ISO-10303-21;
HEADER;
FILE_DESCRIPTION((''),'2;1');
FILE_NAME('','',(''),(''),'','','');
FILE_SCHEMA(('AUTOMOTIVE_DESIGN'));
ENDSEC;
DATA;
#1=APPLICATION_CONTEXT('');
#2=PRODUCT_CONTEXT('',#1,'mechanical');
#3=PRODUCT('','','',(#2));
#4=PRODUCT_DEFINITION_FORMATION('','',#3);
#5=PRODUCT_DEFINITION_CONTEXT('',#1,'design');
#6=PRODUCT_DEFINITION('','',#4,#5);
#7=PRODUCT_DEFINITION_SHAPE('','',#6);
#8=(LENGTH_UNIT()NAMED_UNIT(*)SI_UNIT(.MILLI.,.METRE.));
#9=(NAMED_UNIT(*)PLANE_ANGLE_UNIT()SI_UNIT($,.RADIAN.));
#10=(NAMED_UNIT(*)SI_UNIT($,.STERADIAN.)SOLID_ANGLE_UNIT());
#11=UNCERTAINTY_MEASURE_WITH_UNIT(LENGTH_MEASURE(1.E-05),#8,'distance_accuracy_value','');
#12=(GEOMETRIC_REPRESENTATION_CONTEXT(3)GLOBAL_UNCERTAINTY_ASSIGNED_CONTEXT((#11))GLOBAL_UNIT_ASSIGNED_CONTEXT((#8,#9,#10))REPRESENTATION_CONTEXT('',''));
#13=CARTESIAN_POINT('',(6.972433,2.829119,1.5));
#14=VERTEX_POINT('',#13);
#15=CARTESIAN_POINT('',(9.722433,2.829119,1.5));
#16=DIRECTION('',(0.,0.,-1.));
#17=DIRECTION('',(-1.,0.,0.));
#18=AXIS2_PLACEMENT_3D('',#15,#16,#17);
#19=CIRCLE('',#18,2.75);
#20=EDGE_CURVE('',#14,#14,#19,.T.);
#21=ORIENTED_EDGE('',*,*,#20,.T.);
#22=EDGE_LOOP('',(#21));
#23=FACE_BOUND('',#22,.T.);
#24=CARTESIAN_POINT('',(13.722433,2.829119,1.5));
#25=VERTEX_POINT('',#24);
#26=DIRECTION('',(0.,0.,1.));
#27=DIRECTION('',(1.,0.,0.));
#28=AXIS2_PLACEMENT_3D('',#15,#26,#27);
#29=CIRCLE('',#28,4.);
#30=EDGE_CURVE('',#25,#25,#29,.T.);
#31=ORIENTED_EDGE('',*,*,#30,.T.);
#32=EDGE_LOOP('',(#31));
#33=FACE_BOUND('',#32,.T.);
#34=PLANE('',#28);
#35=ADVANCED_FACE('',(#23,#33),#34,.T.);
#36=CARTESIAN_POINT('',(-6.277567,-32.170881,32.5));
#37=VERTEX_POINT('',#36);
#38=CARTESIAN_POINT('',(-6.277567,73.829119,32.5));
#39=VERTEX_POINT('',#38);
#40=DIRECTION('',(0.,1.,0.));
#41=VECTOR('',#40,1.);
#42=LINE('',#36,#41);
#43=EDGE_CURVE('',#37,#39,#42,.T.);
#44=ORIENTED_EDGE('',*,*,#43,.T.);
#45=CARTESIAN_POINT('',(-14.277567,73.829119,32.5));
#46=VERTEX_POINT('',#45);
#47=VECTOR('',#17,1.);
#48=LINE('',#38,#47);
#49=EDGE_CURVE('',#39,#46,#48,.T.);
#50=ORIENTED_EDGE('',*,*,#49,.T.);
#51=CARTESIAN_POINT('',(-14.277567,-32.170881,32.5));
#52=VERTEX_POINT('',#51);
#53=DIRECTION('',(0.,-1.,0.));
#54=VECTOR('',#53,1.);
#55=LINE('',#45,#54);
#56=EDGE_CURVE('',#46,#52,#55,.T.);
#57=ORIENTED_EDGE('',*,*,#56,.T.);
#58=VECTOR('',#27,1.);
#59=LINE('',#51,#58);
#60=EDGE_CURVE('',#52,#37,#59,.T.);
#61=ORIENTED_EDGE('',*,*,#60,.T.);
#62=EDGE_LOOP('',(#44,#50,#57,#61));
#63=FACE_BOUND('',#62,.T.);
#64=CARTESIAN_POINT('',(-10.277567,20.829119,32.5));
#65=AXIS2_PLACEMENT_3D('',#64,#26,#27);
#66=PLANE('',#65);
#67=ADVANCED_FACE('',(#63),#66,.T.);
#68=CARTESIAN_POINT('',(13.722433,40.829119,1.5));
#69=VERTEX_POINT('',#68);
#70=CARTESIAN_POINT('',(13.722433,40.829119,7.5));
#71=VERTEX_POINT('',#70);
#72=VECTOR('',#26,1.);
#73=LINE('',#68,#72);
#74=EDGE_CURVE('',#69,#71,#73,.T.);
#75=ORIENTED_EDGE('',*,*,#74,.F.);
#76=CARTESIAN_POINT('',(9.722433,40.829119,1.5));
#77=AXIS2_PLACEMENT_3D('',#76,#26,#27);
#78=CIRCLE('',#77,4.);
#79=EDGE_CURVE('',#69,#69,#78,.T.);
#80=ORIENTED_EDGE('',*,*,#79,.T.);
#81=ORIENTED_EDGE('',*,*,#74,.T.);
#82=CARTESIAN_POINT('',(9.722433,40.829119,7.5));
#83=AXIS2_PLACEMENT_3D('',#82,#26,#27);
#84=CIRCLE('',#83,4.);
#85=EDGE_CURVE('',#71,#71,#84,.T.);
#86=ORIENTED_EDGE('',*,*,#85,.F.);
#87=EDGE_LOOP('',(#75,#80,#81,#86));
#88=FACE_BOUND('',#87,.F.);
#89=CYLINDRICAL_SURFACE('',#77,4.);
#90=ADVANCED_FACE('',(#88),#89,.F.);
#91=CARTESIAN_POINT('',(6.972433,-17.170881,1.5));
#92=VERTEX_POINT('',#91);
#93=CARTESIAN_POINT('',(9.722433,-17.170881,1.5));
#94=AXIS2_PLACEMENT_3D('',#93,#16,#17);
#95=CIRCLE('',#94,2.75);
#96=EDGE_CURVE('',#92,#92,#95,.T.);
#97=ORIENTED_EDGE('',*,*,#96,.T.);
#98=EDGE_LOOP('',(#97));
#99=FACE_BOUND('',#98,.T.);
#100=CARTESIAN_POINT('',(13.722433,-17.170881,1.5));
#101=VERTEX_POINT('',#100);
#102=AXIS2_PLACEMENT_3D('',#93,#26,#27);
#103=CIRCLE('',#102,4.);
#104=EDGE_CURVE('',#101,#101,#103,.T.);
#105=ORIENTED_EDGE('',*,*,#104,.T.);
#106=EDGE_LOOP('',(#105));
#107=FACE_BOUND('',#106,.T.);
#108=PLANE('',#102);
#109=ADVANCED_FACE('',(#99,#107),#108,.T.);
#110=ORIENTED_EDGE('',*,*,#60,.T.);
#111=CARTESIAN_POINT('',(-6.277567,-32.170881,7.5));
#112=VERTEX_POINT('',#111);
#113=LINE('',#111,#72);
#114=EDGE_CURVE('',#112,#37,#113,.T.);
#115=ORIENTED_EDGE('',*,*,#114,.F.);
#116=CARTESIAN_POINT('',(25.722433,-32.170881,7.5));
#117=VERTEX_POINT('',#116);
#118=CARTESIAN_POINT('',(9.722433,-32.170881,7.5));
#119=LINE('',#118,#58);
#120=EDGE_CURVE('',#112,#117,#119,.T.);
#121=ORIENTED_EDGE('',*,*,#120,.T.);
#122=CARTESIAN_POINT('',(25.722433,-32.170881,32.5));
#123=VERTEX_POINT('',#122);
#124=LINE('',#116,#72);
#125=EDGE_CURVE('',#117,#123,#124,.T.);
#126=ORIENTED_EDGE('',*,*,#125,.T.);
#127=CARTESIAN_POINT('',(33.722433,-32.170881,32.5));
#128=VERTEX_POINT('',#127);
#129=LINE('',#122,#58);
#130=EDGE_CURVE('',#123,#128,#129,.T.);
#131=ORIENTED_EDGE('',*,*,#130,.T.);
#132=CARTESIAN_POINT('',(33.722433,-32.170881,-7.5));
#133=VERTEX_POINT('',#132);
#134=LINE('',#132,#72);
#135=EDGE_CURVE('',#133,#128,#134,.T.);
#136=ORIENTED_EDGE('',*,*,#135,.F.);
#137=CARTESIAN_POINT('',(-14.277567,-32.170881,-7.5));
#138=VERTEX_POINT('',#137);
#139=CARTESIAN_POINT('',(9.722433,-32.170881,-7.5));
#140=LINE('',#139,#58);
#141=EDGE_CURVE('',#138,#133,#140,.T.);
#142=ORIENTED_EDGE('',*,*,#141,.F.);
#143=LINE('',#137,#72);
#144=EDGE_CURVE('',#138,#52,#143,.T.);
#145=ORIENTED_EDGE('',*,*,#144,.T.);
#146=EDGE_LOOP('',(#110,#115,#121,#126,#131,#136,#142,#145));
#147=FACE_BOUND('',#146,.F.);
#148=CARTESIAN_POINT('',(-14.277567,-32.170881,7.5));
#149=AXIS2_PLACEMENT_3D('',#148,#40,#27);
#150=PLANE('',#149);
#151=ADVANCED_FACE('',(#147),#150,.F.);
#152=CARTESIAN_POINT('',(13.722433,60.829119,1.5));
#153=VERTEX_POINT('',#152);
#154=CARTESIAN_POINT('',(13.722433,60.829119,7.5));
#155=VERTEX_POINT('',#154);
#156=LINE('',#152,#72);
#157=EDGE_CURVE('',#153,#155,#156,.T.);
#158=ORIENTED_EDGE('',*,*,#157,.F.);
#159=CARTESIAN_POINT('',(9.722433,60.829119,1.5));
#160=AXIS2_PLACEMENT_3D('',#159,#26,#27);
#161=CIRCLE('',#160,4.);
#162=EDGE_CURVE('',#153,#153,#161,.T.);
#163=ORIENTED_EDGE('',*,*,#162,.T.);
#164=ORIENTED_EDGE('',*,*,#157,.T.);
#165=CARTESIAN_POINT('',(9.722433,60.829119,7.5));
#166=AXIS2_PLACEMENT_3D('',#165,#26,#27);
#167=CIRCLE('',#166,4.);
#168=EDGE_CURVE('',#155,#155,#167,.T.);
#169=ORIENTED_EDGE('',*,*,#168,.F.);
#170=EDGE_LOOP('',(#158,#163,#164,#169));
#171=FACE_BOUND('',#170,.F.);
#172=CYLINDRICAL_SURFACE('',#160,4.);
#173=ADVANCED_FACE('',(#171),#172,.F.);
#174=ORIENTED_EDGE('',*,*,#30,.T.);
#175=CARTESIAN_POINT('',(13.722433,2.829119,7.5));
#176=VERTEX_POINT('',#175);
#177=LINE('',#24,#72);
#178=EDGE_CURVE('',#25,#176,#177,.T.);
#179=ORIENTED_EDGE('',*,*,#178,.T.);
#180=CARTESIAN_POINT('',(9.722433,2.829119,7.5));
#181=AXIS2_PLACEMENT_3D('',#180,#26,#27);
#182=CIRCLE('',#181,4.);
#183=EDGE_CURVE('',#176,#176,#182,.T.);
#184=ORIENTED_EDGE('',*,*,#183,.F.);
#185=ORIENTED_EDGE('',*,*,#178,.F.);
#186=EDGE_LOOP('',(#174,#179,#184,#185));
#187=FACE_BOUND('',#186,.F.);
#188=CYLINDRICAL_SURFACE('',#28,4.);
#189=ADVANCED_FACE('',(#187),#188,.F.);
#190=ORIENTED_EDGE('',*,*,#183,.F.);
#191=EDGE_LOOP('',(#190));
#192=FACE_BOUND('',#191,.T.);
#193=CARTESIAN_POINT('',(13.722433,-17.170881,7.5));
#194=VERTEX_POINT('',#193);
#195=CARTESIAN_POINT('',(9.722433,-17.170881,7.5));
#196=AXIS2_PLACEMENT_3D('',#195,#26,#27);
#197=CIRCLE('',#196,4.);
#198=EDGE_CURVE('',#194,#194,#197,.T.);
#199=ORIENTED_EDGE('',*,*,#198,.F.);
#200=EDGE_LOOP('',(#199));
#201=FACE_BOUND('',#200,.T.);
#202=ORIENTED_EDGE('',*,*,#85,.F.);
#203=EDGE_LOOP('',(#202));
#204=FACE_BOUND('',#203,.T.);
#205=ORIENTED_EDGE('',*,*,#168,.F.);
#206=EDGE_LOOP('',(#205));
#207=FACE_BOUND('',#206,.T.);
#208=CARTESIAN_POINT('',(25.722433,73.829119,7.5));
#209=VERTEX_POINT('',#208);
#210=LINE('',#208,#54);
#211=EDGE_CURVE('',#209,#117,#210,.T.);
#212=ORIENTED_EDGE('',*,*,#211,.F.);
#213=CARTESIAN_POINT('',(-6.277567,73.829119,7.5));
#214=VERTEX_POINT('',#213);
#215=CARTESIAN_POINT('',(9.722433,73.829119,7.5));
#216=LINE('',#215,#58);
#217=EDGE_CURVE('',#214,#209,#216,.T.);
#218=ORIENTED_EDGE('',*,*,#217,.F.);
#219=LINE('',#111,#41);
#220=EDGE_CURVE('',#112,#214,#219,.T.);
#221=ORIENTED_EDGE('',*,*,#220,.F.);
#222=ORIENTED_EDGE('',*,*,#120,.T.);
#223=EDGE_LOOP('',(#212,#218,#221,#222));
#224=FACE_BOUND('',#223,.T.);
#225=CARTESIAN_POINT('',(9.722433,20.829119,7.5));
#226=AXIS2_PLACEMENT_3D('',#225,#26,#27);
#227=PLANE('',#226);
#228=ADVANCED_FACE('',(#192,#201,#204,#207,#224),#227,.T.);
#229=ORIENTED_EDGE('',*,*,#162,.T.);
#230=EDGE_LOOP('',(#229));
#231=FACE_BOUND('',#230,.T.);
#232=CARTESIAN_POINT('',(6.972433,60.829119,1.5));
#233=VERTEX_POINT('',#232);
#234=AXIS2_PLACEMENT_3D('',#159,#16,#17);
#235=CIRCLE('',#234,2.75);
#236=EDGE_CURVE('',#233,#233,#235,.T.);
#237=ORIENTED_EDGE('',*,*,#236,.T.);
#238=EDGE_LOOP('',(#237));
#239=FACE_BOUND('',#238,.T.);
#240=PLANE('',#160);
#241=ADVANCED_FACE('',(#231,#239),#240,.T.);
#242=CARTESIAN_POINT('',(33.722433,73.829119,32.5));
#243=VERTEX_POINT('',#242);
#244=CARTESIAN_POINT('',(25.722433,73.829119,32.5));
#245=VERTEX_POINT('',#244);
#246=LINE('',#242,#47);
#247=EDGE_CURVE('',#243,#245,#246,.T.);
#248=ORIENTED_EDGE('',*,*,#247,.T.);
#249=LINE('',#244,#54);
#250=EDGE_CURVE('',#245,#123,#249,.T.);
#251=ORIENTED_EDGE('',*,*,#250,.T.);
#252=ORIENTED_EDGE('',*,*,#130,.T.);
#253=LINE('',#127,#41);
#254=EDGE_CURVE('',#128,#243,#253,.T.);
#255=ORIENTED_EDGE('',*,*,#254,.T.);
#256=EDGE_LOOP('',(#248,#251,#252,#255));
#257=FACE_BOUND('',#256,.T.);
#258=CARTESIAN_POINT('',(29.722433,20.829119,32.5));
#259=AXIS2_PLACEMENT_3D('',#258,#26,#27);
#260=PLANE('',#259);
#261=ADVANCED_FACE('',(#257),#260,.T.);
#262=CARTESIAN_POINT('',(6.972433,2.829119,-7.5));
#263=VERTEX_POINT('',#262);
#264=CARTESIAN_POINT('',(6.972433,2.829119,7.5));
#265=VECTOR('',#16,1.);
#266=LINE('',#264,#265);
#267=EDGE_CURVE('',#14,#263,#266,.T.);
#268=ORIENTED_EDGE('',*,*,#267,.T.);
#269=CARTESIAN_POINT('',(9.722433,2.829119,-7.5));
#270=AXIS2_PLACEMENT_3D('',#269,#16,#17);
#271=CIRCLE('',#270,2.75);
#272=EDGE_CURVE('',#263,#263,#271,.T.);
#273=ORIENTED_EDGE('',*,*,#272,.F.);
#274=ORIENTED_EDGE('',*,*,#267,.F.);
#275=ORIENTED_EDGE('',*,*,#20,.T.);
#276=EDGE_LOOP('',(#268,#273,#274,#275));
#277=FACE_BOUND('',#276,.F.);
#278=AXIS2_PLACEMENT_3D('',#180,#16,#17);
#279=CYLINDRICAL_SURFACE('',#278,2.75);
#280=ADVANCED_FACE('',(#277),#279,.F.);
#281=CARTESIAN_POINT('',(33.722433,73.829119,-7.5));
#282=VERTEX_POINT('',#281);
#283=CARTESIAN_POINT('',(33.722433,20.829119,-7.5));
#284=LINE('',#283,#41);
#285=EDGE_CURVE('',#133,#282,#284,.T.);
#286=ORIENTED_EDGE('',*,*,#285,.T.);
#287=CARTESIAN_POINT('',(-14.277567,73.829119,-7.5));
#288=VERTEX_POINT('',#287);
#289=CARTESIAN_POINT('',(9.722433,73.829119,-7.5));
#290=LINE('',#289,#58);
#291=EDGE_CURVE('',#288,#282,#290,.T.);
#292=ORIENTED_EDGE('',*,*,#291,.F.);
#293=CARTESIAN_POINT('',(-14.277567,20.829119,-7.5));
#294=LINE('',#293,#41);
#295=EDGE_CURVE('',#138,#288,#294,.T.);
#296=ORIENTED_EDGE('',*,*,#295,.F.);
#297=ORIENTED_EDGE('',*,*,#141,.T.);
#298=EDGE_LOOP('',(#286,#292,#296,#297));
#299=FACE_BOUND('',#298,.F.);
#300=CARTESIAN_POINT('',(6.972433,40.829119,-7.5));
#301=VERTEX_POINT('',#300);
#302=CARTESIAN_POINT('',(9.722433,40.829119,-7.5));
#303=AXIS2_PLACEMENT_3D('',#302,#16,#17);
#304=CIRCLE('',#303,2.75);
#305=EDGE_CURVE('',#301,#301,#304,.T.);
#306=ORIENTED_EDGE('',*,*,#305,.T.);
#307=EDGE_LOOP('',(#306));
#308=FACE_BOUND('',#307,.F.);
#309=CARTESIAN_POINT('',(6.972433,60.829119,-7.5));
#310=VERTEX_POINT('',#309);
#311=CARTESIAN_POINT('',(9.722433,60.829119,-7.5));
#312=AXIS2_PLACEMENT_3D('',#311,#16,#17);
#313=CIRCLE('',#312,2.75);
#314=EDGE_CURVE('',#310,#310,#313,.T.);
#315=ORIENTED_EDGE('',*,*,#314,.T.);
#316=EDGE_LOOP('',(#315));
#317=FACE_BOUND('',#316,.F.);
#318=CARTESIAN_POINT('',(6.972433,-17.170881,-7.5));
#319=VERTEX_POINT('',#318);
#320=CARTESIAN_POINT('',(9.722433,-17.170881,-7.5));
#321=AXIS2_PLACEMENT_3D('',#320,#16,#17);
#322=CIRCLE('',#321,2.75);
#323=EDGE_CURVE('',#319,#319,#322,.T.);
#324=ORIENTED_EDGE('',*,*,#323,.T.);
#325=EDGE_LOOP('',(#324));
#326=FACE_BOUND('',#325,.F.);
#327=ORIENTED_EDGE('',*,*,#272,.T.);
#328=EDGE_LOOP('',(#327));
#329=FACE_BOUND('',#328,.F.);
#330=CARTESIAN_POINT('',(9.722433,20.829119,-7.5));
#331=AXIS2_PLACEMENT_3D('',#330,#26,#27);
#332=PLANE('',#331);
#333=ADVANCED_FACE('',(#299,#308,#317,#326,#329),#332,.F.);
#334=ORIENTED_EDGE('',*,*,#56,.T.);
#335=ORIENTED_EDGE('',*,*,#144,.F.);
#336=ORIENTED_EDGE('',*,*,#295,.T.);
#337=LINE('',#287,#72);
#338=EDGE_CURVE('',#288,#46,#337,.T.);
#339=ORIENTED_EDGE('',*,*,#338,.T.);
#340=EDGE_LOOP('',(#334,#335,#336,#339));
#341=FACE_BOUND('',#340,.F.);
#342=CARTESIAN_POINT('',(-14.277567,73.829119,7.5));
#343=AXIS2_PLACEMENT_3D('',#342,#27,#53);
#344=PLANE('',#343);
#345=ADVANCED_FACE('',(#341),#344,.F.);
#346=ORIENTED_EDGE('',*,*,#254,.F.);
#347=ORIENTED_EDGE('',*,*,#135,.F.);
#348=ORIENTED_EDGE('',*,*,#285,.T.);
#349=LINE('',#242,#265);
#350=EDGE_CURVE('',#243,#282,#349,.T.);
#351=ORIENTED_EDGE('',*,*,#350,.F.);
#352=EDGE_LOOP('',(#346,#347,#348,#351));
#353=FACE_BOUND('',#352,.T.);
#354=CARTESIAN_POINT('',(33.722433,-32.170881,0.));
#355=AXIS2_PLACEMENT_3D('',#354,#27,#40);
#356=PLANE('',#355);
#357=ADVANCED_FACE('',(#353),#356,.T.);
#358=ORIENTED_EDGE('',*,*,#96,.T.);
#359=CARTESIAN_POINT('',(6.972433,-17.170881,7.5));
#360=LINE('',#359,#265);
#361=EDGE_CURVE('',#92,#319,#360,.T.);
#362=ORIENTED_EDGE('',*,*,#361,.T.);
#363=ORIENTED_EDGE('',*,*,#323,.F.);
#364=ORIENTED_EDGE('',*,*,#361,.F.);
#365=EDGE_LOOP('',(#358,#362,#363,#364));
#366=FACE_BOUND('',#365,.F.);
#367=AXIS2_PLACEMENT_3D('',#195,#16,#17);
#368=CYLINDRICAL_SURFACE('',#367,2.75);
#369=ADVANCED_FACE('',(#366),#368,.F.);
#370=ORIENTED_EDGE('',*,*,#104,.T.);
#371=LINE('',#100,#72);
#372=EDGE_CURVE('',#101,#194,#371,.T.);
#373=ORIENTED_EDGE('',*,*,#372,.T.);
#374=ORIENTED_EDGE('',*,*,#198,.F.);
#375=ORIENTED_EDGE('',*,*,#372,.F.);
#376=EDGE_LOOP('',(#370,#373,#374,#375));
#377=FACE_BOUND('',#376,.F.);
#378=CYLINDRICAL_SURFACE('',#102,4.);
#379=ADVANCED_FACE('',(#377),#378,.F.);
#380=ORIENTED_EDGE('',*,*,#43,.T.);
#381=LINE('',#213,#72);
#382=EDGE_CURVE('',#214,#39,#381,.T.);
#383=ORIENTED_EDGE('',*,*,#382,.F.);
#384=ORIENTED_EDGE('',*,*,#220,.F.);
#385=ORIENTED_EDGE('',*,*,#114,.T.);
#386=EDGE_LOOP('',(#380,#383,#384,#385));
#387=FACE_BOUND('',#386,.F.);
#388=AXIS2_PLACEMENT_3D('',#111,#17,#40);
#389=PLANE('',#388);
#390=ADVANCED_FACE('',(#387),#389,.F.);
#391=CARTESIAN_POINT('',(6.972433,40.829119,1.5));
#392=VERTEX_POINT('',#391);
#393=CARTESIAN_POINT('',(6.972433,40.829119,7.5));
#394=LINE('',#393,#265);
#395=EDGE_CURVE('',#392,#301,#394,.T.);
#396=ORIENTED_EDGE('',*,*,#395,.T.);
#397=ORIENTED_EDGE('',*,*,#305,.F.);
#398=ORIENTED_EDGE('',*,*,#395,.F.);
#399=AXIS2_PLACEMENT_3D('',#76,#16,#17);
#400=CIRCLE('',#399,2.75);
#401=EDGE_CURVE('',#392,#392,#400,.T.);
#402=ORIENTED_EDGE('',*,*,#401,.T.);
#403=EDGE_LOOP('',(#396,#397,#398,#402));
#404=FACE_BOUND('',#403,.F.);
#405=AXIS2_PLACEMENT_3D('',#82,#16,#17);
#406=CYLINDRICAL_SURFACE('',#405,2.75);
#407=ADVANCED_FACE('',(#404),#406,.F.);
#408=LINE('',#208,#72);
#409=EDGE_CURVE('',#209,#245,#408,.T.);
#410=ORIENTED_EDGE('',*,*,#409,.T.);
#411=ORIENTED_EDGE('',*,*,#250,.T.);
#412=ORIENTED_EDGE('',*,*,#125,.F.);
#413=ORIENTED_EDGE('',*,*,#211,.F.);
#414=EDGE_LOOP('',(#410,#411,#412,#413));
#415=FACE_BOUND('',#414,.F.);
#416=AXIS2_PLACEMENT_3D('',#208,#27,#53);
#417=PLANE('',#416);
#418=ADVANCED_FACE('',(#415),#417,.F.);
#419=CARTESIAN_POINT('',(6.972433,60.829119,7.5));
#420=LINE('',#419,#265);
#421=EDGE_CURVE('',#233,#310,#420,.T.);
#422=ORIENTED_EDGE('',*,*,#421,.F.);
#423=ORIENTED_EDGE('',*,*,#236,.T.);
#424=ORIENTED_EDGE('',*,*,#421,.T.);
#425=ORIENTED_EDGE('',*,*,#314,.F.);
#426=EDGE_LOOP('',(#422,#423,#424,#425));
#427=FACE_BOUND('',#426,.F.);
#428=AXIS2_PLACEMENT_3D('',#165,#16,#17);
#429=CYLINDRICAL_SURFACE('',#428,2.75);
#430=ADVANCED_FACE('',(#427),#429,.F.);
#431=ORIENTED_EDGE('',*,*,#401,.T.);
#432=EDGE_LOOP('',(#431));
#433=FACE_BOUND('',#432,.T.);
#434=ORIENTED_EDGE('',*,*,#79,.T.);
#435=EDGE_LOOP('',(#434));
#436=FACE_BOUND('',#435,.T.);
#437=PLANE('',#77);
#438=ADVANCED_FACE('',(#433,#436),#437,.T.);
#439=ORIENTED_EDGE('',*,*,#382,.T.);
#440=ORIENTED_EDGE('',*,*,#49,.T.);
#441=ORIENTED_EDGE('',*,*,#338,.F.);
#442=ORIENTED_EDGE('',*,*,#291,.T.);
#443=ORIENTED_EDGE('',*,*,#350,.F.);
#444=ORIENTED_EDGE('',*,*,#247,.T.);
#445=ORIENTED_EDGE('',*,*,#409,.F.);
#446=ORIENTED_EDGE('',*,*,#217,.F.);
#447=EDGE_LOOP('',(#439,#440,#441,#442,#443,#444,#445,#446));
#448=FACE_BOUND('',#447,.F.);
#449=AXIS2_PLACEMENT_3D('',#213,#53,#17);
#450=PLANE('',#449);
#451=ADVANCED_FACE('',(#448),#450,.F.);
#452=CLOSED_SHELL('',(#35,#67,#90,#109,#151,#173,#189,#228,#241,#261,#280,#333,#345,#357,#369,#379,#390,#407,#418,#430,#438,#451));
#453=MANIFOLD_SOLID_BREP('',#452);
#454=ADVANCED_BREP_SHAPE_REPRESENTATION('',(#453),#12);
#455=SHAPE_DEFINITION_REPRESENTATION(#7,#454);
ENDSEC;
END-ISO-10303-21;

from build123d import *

# Parameters (mm, degrees)
F0_W           = 48
F0_H           = 106
F1_DEPTH       = 7.5
F4_DEPTH       = 25
F6_D           = 5.5
F6_CBORE_D     = 8
F6_CBORE_DEPTH = 6


with BuildPart() as f1:
    # F0 (on Top) → F1 (new body, symmetric)
    with BuildSketch(Plane.XY):
        with Locations((9.722433, 20.829119)):
            Rectangle(F0_W, F0_H)
    extrude(amount=F1_DEPTH, both=True)

    # F3 (on face) → F4 (join)
    with BuildSketch(Plane.XY.offset(7.5)):
        Polygon((-6.277567, 20.829119), (-6.277567, 73.829119), (-14.277567, 73.829119), (-14.277567, -32.170881), (-6.277567, -32.170881), align=None)
        Polygon((33.722433, 73.829119), (25.722433, 73.829119), (25.722433, 20.829119), (25.722433, -32.170881), (33.722433, -32.170881), align=None)
    extrude(amount=F4_DEPTH)

    # F6 (through all)
    with Locations(Plane.XY.offset(7.5)):
        with Locations((9.722433, 40.829119), (9.722433, 60.829119), (9.722433, 2.829119), (9.722433, -17.170881)):
            CounterBoreHole(F6_D / 2, F6_CBORE_D / 2, F6_CBORE_DEPTH)


solid = f1.part
